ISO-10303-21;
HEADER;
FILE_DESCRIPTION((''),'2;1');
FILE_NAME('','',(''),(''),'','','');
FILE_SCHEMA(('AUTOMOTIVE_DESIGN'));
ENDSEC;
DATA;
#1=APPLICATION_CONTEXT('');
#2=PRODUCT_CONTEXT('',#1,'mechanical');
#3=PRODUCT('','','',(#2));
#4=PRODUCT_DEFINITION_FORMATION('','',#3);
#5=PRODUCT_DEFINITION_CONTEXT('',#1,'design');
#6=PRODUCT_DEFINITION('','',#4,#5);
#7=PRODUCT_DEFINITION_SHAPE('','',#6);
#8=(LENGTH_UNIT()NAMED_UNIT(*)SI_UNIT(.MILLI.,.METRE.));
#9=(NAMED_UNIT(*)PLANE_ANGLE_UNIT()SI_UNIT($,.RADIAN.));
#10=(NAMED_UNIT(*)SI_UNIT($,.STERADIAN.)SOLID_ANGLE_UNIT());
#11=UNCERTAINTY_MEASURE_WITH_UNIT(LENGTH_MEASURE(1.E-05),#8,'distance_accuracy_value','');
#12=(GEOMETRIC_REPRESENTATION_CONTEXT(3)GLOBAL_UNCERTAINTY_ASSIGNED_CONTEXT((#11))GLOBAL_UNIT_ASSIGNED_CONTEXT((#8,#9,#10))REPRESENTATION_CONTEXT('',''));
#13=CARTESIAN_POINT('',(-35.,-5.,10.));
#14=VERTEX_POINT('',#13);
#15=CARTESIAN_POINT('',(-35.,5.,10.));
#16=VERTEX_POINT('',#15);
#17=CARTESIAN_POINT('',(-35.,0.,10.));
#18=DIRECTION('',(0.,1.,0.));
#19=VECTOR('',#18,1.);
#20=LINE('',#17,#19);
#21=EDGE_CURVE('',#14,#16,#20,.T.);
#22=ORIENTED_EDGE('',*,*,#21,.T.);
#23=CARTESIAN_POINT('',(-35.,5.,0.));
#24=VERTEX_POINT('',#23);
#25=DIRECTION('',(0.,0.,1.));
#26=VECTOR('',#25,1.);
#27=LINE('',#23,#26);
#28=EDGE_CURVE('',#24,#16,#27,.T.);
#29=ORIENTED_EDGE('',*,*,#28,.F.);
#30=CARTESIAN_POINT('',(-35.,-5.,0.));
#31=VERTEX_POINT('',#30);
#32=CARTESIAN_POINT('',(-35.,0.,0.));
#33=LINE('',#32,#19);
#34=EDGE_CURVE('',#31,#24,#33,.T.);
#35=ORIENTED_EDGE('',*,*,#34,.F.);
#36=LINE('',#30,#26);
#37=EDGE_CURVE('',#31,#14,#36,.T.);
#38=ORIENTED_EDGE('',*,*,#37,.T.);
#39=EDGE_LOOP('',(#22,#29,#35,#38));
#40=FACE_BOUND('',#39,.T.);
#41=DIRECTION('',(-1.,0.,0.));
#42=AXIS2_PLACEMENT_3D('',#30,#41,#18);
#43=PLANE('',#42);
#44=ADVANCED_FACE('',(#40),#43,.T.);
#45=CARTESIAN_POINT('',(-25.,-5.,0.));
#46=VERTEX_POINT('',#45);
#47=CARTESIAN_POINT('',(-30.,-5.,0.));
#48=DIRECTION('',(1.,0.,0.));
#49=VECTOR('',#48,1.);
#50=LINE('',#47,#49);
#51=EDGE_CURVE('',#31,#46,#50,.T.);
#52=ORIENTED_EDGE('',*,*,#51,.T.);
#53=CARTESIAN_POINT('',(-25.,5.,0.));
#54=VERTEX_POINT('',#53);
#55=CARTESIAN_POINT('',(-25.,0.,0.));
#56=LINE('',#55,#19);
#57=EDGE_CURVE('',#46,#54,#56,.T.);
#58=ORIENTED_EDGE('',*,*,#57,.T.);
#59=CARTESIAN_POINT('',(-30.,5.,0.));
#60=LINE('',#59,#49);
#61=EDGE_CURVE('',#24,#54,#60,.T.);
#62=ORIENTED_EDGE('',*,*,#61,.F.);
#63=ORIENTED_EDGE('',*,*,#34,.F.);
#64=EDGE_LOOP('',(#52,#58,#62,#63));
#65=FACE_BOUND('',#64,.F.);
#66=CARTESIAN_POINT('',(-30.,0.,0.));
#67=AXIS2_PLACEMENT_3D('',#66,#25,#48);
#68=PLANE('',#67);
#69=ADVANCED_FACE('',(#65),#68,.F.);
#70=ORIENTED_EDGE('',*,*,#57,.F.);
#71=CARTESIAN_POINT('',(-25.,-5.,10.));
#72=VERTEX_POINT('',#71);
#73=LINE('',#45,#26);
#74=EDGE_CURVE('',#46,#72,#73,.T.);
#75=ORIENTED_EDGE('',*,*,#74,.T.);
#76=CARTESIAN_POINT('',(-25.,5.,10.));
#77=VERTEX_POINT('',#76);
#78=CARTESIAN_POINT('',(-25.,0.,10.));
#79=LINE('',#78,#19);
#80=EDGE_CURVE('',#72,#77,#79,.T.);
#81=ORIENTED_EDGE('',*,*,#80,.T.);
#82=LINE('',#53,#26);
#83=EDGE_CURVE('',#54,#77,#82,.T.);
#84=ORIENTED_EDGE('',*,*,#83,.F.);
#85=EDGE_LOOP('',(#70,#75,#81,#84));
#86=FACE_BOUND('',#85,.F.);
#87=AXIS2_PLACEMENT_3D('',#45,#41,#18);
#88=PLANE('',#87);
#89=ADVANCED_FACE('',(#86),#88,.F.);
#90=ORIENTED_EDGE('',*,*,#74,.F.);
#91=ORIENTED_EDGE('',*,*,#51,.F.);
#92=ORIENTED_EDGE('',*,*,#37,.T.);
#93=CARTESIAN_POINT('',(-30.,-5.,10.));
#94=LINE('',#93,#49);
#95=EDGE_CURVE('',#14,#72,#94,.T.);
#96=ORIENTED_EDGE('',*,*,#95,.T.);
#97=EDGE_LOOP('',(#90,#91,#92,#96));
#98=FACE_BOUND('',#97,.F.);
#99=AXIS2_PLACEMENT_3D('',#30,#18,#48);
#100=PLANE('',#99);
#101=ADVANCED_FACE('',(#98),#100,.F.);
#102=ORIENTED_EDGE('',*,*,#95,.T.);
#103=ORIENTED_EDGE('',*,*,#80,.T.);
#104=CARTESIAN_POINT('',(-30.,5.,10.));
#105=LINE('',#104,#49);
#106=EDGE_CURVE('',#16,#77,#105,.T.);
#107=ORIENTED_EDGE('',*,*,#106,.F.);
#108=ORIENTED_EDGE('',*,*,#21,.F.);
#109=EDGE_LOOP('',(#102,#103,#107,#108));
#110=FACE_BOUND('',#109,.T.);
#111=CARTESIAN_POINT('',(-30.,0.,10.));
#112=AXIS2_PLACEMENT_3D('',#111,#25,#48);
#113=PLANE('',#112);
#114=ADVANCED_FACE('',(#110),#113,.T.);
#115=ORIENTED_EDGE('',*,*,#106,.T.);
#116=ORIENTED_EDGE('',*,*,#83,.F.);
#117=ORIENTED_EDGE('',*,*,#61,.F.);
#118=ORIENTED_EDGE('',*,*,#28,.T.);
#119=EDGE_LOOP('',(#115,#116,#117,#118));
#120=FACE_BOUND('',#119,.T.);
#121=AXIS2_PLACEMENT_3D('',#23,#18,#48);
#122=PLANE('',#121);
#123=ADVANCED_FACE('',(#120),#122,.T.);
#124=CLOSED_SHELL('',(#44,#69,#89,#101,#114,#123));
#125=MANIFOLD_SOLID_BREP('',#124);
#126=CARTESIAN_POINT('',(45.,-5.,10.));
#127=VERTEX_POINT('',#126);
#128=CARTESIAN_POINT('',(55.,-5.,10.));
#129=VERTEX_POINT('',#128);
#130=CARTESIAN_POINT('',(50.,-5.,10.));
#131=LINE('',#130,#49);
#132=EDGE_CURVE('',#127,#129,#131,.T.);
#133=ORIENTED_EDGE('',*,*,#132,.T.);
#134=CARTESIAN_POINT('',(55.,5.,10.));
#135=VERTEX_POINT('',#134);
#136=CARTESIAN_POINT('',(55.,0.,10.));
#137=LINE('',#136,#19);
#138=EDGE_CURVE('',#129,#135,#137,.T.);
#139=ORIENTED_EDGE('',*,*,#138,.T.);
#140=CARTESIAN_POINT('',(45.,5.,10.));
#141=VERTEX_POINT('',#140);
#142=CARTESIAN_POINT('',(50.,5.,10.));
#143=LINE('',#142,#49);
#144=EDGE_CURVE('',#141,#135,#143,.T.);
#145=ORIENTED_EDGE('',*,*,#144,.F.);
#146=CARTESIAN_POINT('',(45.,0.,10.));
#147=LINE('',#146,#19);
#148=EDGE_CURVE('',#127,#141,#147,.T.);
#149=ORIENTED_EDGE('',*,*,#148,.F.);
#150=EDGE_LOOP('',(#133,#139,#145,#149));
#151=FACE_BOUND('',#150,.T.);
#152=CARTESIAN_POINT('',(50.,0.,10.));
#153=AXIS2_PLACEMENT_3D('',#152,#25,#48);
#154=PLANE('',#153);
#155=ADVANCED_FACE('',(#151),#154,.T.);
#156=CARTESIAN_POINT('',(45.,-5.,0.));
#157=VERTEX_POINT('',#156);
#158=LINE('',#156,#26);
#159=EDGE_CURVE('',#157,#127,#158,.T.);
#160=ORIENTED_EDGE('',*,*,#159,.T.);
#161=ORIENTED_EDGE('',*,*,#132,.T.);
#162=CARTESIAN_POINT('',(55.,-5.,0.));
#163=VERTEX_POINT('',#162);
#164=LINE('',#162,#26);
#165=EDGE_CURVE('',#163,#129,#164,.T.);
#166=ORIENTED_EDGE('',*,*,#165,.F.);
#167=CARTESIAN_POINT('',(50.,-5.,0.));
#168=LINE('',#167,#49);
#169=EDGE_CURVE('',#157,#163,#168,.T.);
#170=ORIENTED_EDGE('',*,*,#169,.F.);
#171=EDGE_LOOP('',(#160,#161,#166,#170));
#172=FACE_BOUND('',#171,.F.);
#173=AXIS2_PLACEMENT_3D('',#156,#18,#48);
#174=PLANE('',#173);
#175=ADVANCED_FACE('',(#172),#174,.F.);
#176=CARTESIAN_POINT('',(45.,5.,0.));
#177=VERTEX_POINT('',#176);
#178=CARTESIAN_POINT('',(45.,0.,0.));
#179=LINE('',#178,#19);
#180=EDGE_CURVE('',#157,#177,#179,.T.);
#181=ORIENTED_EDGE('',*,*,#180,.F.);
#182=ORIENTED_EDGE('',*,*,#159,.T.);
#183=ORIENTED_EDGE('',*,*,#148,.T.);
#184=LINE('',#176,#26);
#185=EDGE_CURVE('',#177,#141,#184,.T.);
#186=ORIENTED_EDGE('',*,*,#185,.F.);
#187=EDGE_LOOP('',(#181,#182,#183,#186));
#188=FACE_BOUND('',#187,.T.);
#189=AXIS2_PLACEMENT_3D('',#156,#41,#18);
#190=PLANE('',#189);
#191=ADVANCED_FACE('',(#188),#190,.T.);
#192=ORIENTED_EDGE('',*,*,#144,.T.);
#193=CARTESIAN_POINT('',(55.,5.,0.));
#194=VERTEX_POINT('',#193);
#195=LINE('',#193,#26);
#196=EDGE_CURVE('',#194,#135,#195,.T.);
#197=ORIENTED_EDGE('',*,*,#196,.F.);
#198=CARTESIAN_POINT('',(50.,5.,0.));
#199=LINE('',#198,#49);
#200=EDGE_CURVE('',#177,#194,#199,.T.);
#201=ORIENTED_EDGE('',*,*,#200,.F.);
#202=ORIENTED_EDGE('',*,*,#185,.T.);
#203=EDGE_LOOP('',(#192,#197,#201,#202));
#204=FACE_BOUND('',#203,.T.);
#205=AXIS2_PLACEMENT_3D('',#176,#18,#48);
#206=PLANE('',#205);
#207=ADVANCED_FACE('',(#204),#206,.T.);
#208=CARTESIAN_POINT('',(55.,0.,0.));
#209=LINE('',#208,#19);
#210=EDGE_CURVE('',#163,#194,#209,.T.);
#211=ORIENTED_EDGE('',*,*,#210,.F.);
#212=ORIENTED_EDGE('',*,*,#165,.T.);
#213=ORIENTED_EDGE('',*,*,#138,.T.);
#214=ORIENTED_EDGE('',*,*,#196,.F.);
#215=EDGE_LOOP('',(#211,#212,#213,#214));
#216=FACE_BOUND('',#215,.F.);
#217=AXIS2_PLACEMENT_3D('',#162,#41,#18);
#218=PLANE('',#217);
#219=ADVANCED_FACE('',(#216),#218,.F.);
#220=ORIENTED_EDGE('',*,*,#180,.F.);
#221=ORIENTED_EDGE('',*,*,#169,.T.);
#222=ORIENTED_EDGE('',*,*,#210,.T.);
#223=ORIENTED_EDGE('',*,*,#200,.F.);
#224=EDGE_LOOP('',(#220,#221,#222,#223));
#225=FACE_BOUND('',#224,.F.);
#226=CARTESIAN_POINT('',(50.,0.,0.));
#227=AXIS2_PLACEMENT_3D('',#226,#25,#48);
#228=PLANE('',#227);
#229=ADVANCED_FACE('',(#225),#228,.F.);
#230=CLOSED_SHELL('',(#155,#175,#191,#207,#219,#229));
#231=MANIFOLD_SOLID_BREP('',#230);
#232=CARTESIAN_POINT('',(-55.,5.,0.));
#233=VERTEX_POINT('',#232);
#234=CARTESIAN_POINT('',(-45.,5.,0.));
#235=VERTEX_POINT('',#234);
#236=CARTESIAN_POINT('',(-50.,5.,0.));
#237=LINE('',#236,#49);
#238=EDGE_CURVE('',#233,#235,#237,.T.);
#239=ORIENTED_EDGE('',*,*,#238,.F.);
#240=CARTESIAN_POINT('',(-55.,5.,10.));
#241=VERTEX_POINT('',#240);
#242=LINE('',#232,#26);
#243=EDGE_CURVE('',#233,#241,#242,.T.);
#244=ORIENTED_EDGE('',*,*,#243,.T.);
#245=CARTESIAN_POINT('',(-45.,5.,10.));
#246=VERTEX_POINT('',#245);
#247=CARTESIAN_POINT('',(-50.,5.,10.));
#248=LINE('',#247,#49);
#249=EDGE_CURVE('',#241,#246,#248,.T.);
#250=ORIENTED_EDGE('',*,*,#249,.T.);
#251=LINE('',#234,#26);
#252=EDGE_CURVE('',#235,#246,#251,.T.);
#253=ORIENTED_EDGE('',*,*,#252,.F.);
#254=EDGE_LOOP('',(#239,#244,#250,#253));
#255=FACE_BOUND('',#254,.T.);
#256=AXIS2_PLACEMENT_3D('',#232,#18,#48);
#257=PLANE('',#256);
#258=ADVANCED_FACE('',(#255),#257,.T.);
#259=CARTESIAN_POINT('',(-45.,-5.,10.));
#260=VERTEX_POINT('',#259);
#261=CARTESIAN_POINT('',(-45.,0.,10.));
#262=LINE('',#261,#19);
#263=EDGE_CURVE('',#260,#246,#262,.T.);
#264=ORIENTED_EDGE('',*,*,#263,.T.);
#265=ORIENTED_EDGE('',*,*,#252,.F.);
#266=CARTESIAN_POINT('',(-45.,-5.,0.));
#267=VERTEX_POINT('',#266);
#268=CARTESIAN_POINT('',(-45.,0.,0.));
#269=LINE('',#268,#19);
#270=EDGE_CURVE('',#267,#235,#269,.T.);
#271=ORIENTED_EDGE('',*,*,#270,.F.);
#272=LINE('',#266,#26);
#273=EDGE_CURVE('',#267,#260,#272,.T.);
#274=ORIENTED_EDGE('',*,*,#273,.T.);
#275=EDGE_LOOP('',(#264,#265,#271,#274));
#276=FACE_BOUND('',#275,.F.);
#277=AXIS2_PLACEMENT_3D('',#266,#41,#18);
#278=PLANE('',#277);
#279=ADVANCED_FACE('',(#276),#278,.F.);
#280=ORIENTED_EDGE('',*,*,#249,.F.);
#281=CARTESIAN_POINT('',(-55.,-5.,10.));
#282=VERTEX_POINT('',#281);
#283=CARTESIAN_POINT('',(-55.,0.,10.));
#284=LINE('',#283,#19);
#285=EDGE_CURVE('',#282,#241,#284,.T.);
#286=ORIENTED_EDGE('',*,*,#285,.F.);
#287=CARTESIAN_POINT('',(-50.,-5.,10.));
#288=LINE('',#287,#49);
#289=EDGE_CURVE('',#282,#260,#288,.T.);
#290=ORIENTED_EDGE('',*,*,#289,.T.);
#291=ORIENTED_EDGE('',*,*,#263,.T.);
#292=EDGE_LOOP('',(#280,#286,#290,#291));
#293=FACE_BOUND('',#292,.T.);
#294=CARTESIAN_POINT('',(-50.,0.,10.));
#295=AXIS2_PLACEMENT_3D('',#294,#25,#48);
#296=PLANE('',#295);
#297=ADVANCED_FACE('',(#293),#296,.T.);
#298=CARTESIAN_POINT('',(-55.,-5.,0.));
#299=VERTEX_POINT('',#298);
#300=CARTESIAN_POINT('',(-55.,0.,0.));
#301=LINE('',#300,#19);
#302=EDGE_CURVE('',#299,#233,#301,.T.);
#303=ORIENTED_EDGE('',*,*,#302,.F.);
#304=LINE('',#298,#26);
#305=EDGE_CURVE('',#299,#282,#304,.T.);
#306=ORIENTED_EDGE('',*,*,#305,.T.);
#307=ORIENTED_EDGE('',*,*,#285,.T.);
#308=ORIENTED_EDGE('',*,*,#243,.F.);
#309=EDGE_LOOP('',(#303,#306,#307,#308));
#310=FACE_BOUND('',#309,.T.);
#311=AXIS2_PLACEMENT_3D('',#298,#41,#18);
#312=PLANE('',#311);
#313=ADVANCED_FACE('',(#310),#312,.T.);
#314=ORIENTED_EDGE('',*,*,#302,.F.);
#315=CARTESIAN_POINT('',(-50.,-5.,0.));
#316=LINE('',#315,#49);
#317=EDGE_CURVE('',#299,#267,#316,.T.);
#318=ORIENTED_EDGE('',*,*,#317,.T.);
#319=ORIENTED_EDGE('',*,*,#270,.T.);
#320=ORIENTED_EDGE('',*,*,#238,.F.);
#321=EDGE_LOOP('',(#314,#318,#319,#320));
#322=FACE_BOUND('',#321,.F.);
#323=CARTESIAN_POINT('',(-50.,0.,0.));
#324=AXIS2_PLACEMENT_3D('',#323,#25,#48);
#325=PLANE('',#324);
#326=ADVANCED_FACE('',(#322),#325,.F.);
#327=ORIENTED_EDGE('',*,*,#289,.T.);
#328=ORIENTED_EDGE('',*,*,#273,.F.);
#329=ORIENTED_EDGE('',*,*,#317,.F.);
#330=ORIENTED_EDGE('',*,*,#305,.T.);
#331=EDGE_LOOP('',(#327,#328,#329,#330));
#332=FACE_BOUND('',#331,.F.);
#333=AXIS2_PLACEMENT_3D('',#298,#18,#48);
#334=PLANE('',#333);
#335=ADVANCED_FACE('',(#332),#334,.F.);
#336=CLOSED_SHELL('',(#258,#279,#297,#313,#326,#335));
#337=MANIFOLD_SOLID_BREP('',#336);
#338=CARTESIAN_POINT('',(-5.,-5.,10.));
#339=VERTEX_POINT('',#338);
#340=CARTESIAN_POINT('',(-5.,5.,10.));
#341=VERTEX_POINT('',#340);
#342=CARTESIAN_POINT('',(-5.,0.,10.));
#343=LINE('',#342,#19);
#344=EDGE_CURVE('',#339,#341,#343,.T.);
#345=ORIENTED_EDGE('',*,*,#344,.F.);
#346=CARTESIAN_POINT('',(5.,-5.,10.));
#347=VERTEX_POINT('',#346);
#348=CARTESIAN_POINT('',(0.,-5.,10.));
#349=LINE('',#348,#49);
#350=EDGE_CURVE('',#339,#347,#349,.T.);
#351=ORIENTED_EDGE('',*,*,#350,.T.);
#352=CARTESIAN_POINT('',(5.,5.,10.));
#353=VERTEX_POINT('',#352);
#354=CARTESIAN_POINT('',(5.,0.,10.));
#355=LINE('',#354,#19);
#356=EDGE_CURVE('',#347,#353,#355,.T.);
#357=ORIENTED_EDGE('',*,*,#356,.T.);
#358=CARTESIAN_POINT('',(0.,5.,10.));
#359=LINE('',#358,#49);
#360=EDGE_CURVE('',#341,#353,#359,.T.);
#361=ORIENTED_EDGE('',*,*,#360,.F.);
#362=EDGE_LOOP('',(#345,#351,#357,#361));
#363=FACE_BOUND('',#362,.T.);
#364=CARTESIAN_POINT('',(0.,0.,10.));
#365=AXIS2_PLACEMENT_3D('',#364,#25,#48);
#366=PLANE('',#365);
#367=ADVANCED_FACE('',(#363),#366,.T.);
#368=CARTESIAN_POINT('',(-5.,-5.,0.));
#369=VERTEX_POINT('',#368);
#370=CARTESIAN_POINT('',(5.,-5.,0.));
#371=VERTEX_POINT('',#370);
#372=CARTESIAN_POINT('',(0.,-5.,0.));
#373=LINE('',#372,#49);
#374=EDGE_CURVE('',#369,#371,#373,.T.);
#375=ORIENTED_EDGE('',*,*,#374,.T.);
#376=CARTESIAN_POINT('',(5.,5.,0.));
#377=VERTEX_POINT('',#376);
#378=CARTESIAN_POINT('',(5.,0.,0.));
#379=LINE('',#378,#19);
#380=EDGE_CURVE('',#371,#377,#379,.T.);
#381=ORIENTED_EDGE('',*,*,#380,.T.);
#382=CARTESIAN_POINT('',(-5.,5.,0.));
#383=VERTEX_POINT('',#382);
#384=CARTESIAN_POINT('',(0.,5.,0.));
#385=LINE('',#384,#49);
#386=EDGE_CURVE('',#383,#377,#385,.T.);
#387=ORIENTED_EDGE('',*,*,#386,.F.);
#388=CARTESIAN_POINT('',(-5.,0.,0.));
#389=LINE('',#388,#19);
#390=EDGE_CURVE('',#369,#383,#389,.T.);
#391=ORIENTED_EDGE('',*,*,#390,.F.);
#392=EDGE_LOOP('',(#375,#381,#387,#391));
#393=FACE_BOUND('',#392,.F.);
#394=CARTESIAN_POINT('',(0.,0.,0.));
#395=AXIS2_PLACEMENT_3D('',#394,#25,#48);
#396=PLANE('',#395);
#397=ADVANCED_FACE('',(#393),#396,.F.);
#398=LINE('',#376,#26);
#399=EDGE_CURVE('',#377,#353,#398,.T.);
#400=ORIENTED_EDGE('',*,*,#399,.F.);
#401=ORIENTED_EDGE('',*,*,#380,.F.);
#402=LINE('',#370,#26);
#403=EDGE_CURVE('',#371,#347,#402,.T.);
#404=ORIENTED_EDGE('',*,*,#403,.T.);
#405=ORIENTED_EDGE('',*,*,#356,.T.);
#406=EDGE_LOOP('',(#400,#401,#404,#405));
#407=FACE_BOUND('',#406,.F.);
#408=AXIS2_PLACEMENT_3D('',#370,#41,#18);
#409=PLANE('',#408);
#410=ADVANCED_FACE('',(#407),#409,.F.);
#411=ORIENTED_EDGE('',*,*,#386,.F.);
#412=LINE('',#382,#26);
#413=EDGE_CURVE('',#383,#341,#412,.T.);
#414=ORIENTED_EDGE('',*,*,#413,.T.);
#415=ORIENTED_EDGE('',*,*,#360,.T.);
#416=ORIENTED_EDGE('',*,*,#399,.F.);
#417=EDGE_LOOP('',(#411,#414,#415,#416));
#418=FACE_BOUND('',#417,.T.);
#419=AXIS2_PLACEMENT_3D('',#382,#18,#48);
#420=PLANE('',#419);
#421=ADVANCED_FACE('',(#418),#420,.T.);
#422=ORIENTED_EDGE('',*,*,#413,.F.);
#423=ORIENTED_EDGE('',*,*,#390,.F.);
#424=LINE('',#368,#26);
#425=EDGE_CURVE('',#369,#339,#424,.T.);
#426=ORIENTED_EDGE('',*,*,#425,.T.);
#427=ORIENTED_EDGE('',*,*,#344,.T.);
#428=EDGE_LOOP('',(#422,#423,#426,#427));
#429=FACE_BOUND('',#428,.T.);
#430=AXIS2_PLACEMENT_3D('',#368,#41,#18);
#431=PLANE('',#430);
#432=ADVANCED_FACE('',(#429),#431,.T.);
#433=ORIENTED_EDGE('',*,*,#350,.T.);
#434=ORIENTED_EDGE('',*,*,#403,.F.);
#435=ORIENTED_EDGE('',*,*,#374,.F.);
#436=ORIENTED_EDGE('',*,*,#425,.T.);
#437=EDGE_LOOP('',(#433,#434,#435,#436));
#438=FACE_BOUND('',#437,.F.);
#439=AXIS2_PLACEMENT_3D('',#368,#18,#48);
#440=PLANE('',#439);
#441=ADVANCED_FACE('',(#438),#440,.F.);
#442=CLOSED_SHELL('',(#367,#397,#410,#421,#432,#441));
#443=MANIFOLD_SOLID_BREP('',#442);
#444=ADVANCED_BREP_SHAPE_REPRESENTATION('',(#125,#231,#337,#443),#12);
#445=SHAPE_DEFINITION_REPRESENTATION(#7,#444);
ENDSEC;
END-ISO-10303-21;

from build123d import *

# Parameters (mm, degrees)
F0_W     = 10
F0_H     = 10
F1_DEPTH = 10


with BuildPart() as f1:
    # F0 (on Top) → F1 (new body)
    with BuildSketch(Plane.XY):
        with Locations((-50, 0)):
            Rectangle(F0_W, F0_H)
        with Locations((-30, 0)):
            Rectangle(F0_W, F0_H)
        Rectangle(F0_W, F0_H)
        with Locations((50, 0)):
            Rectangle(F0_W, F0_H)
    extrude(amount=F1_DEPTH)


solid = f1.part
